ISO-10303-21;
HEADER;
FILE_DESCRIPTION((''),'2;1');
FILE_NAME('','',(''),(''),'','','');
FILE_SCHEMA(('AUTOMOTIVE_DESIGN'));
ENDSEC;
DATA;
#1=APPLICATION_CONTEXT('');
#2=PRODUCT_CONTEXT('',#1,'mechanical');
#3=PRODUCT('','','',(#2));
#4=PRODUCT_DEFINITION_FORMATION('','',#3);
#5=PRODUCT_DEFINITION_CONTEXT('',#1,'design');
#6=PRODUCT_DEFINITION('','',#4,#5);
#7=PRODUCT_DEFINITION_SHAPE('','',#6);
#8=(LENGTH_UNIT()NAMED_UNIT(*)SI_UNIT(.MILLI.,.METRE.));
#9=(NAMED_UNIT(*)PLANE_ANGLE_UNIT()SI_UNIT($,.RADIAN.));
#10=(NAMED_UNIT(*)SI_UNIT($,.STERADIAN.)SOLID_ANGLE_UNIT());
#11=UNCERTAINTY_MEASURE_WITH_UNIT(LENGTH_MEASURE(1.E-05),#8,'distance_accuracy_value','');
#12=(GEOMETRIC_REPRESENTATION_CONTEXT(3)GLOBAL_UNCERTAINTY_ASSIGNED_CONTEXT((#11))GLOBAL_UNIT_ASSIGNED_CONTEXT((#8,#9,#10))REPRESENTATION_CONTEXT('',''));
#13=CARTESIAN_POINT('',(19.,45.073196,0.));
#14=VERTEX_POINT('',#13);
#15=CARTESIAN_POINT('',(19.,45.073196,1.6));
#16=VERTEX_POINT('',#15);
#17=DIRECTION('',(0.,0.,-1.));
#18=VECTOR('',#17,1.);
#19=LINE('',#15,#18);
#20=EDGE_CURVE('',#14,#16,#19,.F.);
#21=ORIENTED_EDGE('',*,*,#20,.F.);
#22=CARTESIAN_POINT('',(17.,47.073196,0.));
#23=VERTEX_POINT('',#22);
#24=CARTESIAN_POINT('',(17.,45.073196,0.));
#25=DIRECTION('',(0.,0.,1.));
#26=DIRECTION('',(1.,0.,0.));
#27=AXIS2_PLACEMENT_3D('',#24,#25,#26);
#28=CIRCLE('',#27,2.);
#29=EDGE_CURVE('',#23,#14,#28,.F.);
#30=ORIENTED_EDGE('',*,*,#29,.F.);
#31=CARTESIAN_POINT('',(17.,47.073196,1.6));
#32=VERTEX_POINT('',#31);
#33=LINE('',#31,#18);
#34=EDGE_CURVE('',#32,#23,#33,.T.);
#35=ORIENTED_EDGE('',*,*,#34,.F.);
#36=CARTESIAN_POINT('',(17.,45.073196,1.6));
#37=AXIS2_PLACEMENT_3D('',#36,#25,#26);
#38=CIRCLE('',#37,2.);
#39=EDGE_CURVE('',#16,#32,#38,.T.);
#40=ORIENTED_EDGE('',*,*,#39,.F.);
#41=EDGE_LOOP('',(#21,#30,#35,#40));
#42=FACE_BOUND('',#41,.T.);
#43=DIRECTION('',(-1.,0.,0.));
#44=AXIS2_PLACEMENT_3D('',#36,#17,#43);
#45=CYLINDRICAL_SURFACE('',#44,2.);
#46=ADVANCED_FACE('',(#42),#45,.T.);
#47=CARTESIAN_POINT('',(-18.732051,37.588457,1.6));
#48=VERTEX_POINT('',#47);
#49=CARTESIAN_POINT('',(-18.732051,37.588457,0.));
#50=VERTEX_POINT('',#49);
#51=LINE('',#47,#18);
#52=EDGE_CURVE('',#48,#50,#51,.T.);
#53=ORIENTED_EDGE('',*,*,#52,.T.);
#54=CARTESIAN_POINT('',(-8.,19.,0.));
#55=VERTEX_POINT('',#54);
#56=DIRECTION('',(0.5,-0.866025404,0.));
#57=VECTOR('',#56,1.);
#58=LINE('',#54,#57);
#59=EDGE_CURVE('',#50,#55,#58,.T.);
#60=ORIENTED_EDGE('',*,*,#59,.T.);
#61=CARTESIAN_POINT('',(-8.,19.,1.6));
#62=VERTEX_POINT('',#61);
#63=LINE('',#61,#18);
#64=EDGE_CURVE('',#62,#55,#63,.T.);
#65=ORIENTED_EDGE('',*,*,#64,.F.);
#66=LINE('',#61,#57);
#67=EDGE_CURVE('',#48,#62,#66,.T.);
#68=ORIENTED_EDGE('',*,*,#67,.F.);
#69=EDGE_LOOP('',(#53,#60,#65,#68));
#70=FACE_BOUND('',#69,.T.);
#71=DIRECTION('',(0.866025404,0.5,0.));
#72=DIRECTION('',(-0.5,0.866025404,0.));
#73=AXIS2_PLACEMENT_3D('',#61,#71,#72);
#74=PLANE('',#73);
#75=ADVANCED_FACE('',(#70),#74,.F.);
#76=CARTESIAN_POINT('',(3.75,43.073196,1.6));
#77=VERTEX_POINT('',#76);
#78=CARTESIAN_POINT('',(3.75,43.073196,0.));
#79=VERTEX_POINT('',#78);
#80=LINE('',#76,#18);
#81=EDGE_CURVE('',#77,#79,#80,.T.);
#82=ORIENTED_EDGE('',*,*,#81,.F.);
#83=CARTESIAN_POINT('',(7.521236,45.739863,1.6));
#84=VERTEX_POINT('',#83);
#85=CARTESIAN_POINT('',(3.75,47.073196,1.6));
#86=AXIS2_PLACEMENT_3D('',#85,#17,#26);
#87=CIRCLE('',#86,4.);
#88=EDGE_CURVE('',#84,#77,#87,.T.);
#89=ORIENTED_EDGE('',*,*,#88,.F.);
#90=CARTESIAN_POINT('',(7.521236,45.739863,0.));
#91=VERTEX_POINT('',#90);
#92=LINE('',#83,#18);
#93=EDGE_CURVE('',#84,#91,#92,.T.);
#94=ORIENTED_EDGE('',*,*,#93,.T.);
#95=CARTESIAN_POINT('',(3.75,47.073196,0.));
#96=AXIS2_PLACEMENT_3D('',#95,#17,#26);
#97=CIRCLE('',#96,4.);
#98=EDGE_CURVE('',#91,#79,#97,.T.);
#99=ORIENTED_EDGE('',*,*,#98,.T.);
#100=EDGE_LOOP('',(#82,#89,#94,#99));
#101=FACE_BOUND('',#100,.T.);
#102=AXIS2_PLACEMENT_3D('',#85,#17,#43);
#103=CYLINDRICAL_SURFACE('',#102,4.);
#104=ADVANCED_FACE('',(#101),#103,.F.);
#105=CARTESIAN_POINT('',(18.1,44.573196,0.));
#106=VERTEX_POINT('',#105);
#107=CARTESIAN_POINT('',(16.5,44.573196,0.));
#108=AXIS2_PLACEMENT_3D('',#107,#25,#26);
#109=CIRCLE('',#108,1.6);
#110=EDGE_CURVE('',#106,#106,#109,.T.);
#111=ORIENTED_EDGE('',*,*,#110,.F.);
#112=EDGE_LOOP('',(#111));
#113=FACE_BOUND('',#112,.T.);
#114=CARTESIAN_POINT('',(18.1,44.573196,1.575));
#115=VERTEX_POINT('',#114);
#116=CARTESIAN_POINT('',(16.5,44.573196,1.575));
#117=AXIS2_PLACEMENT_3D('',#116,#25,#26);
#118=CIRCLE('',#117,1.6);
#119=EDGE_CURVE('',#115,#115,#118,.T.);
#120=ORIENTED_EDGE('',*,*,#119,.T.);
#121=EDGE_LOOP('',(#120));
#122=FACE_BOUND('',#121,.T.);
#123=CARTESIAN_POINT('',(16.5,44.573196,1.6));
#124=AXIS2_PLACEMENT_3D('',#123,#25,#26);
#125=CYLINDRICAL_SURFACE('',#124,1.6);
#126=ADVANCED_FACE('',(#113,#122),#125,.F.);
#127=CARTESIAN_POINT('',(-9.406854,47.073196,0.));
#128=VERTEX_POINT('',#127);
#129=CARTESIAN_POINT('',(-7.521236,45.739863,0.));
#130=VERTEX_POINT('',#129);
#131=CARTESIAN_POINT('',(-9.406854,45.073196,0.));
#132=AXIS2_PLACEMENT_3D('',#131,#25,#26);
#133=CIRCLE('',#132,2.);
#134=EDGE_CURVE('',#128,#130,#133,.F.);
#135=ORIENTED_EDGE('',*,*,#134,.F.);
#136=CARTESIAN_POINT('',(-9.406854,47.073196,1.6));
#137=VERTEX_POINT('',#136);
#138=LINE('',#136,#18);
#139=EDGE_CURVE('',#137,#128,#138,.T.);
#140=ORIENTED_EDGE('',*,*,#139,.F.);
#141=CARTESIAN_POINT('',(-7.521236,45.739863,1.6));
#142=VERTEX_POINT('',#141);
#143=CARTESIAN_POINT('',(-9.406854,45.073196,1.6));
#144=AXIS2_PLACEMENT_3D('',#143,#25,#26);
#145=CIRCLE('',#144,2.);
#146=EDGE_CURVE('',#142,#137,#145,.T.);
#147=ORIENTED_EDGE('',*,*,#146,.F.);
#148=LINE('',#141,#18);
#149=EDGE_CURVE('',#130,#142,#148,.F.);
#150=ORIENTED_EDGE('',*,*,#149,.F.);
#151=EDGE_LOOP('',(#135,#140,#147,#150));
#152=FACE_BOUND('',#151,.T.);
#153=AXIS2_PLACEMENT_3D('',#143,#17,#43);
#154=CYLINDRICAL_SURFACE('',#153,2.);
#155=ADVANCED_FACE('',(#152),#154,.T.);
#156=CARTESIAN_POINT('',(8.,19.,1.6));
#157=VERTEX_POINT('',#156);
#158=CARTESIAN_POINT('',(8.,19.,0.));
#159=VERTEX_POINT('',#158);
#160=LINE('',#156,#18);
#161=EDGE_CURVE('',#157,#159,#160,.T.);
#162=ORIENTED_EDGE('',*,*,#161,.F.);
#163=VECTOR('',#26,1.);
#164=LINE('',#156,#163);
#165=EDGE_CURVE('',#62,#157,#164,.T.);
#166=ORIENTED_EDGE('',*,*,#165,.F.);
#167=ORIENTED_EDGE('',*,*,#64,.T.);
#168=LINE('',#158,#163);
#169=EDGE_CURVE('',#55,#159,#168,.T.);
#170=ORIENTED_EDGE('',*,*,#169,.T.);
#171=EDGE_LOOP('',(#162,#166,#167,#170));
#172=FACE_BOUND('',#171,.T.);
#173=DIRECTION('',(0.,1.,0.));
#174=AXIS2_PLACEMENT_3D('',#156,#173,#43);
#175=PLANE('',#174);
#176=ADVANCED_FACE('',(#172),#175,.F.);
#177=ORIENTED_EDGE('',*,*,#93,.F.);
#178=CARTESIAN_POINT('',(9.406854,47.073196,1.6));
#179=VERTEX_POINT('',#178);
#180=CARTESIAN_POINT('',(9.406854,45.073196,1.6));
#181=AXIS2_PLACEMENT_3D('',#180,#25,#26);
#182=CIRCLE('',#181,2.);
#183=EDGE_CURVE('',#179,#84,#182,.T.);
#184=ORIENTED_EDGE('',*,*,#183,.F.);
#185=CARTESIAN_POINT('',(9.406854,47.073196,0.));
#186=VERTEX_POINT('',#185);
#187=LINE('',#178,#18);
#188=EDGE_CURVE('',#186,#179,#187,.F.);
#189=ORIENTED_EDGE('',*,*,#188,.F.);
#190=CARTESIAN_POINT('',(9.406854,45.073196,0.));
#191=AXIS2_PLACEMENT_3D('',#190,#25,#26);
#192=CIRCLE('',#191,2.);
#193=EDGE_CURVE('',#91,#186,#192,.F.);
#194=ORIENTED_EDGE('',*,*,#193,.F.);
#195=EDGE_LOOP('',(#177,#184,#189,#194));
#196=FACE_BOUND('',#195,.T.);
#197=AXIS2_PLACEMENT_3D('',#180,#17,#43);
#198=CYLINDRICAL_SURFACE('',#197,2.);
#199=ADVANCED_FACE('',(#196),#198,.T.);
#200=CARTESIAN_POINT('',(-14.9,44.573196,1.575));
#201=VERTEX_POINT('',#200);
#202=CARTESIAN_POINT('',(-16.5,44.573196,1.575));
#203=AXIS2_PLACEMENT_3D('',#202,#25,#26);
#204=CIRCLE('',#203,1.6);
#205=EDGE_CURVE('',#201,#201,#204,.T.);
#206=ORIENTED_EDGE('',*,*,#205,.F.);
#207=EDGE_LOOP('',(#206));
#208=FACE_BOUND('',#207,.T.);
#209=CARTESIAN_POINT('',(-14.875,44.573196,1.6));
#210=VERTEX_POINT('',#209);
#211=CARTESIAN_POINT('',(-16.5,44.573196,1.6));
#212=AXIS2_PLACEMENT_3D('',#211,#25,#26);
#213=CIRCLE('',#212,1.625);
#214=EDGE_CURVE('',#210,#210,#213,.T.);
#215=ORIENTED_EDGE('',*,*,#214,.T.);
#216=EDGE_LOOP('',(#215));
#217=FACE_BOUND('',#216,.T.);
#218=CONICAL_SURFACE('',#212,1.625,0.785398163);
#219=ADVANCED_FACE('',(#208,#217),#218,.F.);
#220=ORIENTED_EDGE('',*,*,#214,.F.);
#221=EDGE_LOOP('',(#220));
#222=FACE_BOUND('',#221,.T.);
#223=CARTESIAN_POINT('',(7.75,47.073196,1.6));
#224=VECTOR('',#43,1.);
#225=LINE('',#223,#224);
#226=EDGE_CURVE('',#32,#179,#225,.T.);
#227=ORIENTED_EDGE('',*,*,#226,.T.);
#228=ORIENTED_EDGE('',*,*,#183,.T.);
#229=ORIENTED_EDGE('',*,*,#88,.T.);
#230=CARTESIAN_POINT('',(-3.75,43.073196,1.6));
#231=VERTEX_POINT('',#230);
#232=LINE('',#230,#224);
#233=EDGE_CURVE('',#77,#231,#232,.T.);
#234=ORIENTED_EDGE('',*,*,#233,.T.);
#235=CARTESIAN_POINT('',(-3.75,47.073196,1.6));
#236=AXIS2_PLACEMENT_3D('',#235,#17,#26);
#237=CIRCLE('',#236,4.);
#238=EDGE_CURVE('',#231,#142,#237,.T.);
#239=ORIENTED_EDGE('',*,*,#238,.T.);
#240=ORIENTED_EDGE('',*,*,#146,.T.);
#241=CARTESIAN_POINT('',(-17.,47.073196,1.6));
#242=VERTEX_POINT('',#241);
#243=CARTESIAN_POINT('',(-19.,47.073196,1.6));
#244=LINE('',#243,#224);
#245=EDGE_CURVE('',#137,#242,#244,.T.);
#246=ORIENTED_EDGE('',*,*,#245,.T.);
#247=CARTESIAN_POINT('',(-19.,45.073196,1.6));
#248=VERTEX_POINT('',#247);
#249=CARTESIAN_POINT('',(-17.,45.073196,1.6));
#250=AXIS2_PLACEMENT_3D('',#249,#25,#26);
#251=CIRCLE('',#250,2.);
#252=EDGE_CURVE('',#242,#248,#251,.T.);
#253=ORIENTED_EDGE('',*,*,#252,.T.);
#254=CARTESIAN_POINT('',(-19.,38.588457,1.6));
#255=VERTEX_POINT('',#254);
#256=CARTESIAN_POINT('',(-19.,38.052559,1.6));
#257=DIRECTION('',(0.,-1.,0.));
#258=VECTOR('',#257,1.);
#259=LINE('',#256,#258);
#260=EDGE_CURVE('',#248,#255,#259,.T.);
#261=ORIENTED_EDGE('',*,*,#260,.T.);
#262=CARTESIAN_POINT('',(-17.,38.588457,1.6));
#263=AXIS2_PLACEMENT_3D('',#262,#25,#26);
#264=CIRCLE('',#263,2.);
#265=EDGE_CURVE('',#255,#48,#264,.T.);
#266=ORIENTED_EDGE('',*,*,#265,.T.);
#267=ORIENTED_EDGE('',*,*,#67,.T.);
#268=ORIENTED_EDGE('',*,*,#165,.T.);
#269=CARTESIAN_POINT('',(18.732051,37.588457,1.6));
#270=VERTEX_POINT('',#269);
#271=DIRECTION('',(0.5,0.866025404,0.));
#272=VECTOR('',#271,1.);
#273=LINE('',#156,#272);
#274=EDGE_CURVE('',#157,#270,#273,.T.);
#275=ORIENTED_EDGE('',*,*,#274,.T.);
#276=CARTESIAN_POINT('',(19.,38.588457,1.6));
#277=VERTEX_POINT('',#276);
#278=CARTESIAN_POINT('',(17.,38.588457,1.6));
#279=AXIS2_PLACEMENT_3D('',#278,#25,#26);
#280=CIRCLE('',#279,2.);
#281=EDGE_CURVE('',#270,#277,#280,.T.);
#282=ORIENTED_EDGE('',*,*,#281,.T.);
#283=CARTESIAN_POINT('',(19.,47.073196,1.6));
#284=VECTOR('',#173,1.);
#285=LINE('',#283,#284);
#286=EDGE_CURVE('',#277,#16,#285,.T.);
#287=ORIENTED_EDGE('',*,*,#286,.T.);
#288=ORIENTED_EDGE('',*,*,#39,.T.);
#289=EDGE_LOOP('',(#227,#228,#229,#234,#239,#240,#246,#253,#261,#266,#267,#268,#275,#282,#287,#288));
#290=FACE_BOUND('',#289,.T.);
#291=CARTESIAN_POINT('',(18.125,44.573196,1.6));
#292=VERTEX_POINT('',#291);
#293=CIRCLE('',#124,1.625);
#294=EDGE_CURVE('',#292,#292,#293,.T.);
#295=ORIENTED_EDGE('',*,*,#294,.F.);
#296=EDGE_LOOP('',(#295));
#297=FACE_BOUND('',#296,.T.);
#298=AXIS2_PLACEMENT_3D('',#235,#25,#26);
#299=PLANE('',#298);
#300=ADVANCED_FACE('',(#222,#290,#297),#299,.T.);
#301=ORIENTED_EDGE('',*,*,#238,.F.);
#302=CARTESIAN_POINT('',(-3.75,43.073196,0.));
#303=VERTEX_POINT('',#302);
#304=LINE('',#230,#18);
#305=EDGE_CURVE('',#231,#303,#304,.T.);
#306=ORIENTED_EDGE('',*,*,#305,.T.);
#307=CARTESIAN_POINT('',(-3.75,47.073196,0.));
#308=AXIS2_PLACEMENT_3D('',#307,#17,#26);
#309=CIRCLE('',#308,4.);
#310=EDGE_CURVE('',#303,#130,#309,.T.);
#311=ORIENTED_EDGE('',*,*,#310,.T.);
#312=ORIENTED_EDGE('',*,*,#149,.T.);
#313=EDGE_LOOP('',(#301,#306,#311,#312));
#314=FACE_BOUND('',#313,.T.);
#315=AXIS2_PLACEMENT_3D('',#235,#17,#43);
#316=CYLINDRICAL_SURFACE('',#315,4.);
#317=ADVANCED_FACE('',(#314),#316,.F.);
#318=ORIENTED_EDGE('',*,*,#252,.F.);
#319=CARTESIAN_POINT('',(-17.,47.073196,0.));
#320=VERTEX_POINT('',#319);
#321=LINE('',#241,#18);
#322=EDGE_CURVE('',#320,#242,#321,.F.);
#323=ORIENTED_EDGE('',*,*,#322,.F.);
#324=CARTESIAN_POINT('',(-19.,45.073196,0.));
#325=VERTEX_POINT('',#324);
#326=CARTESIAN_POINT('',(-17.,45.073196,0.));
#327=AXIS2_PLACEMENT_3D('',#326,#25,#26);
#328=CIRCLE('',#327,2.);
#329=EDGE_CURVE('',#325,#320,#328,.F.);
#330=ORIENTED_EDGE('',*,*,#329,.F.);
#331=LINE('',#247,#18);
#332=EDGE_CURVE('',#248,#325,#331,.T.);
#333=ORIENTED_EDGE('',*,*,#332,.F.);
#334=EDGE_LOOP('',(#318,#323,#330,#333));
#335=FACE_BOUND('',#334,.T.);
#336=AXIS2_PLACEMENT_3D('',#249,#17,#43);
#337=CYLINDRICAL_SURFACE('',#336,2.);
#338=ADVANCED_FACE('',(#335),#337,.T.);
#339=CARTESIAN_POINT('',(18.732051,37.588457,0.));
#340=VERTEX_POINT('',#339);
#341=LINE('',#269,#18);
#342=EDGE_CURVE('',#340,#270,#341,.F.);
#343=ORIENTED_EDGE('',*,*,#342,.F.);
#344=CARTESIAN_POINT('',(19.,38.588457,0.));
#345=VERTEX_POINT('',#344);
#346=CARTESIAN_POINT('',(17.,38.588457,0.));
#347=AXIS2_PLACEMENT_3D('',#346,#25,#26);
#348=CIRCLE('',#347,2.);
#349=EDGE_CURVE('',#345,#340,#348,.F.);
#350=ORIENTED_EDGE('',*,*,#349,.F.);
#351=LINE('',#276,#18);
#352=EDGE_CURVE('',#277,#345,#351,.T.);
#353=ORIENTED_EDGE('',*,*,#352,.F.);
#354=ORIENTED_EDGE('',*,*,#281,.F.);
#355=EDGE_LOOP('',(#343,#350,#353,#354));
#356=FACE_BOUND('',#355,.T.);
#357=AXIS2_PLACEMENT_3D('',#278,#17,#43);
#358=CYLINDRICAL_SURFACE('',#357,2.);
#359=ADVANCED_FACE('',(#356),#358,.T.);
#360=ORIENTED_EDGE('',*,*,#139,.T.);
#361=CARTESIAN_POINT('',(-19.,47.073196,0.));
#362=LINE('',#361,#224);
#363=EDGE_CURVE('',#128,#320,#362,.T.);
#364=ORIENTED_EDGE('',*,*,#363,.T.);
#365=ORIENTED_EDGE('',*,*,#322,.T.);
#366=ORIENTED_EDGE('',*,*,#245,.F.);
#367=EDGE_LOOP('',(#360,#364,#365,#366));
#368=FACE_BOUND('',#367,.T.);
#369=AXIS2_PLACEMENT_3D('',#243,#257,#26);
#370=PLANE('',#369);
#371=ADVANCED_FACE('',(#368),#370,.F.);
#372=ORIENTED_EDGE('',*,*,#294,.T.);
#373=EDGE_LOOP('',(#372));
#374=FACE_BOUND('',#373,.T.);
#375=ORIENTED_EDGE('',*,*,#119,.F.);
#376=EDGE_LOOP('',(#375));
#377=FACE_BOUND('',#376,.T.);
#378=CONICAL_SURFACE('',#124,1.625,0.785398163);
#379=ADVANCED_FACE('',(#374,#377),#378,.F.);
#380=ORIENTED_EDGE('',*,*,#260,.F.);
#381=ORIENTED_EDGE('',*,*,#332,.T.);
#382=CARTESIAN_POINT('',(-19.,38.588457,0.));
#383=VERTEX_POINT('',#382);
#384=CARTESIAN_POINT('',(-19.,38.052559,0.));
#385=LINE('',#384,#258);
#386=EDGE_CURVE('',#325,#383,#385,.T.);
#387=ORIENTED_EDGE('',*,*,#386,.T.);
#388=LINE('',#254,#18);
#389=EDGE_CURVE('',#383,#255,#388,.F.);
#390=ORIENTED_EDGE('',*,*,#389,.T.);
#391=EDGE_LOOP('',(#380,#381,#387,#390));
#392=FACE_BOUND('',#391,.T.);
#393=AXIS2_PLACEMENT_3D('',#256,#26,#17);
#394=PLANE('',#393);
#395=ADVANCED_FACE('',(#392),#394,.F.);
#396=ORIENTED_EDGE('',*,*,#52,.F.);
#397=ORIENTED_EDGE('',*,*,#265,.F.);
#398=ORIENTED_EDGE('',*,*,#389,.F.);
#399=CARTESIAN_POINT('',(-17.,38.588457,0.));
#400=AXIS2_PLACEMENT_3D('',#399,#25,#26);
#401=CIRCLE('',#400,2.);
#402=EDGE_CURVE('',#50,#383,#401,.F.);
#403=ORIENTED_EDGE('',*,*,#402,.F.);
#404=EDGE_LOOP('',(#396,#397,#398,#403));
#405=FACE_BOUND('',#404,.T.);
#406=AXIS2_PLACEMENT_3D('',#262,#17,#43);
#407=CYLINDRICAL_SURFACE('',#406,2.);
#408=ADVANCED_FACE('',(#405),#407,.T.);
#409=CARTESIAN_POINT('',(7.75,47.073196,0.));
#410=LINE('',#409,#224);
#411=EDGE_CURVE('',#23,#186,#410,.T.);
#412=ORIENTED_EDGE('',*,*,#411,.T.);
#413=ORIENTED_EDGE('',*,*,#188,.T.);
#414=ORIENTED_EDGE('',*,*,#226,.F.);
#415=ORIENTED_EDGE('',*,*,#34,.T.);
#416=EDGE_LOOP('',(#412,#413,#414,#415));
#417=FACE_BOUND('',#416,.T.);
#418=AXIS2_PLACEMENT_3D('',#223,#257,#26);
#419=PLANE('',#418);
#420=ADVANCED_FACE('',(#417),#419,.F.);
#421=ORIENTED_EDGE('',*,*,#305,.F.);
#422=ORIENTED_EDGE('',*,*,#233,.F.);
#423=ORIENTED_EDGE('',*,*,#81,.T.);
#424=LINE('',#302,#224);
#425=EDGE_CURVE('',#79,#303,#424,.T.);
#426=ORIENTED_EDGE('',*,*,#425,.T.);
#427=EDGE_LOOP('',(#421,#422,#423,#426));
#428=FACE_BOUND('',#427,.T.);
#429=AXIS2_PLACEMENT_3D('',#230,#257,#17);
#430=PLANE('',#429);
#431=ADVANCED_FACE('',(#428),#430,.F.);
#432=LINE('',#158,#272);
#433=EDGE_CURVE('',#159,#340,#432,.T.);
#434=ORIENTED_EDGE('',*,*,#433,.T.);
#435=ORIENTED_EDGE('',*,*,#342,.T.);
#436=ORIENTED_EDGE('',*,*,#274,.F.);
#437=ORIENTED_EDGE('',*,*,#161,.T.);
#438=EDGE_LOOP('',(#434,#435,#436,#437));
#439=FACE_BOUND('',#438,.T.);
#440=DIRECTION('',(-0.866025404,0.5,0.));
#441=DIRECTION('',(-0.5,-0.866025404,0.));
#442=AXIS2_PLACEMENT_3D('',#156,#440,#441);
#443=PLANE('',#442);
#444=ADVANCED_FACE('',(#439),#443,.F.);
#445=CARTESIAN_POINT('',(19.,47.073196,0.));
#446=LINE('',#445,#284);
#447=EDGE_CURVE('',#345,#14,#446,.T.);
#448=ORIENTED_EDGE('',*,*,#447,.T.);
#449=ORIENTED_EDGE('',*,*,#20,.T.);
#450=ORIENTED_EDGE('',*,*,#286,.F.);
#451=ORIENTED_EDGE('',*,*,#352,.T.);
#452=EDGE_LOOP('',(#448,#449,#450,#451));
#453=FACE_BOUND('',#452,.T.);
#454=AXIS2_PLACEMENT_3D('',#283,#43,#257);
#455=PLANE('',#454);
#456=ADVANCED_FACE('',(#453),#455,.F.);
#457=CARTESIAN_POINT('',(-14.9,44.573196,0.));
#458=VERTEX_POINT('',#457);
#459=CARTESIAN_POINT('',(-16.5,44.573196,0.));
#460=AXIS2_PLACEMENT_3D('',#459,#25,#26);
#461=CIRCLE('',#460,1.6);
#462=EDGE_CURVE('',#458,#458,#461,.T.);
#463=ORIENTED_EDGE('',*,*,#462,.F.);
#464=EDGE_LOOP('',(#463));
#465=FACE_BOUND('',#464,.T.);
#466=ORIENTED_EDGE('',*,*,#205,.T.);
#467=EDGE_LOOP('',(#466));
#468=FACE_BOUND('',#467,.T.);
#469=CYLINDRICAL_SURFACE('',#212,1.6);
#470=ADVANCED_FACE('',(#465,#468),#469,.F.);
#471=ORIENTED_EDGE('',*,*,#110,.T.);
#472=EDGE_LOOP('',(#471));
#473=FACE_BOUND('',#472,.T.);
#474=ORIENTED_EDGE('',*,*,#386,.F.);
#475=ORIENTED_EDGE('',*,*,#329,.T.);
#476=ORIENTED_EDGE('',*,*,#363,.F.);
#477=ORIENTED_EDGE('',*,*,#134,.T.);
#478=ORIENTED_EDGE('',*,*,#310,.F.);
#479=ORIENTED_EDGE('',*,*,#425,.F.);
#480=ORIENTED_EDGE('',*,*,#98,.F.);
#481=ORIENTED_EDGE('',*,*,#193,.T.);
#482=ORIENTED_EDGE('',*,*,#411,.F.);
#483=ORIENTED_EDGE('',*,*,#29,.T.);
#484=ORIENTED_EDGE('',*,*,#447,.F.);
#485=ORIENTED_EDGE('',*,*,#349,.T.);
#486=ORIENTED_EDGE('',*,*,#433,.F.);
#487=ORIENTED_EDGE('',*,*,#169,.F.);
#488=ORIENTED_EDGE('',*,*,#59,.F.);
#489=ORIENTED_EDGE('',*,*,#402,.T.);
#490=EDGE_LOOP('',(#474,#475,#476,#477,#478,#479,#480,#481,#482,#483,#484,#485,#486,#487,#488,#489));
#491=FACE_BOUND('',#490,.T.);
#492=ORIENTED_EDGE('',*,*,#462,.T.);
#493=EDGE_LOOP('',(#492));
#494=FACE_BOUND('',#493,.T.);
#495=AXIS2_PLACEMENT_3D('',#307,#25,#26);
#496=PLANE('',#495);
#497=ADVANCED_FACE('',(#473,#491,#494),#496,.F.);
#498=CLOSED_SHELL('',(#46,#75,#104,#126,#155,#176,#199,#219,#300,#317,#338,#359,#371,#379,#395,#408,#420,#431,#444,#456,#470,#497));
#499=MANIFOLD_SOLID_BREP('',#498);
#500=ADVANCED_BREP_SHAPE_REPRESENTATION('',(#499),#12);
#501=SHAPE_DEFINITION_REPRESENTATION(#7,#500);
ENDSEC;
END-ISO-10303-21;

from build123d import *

# Parameters (mm, degrees)
BOSS_EXTRUDE1_DEPTH           = 1.6
M3_CLEARANCE_HOLE1_AT_2_COUNT = 2
M3_CLEARANCE_HOLE1_AT_2_PITCH = 33
FILLET1_R                     = 2


with BuildPart() as part:
    # Sketch1 → Boss-Extrude1 (new body)
    with BuildSketch(Plane.XY):
        with BuildLine():
            Line((8, 19), (-8, 19))
            Line((-8, 19), (-19, 38.052558883))
            Line((-19, 38.052558883), (-19, 47.073195958))
            Line((-19, 47.073195958), (-7.75, 47.073195958))
            ThreePointArc((-7.75, 47.073195958), (-6.578427125, 44.244768833), (-3.75, 43.073195958))
            Line((-3.75, 43.073195958), (3.75, 43.073195958))
            ThreePointArc((3.75, 43.073195958), (6.578427125, 44.244768833), (7.75, 47.073195958))
            Line((7.75, 47.073195958), (19, 47.073195958))
            Line((19, 47.073195958), (19, 38.052558883))
            Line((19, 38.052558883), (8, 19))
        make_face()
    extrude(amount=BOSS_EXTRUDE1_DEPTH)

    # Sketch3 → M3 Clearance Hole1 (revolve, cut)
    with BuildSketch(Plane(origin=(16.5, 44.573195958, 1.6), x_dir=(0, -1, 0), z_dir=(1, 0, 0))):
        Polygon((0, 0), (0, 1.6), (1.6, 1.6), (1.6, 0.025), (1.625, 0), align=None)
    m3_clearance_hole1 = revolve(axis=Axis((16.5, 44.573195958, 7.95), (0, 0, -1)), mode=Mode.SUBTRACT)

    # M3 Clearance Hole1 at 2: M3 Clearance Hole1 ×2
    with Locations(*[(-i * M3_CLEARANCE_HOLE1_AT_2_PITCH, 0, 0) for i in range(1, M3_CLEARANCE_HOLE1_AT_2_COUNT)]):
        add(m3_clearance_hole1, mode=Mode.SUBTRACT)

    # Fillet1
    fillet1_edges = [part.edges().sort_by_distance(p)[0] for p in [
        (-19, 47.073195958, 0.8),
        (-7.75, 47.073195958, 0.8),
        (7.75, 47.073195958, 0.8),
        (19, 47.073195958, 0.8),
        (19, 38.052558883, 0.8),
        (-19, 38.052558883, 0.8),
    ]]
    fillet(fillet1_edges, radius=FILLET1_R)


solid = part.part
